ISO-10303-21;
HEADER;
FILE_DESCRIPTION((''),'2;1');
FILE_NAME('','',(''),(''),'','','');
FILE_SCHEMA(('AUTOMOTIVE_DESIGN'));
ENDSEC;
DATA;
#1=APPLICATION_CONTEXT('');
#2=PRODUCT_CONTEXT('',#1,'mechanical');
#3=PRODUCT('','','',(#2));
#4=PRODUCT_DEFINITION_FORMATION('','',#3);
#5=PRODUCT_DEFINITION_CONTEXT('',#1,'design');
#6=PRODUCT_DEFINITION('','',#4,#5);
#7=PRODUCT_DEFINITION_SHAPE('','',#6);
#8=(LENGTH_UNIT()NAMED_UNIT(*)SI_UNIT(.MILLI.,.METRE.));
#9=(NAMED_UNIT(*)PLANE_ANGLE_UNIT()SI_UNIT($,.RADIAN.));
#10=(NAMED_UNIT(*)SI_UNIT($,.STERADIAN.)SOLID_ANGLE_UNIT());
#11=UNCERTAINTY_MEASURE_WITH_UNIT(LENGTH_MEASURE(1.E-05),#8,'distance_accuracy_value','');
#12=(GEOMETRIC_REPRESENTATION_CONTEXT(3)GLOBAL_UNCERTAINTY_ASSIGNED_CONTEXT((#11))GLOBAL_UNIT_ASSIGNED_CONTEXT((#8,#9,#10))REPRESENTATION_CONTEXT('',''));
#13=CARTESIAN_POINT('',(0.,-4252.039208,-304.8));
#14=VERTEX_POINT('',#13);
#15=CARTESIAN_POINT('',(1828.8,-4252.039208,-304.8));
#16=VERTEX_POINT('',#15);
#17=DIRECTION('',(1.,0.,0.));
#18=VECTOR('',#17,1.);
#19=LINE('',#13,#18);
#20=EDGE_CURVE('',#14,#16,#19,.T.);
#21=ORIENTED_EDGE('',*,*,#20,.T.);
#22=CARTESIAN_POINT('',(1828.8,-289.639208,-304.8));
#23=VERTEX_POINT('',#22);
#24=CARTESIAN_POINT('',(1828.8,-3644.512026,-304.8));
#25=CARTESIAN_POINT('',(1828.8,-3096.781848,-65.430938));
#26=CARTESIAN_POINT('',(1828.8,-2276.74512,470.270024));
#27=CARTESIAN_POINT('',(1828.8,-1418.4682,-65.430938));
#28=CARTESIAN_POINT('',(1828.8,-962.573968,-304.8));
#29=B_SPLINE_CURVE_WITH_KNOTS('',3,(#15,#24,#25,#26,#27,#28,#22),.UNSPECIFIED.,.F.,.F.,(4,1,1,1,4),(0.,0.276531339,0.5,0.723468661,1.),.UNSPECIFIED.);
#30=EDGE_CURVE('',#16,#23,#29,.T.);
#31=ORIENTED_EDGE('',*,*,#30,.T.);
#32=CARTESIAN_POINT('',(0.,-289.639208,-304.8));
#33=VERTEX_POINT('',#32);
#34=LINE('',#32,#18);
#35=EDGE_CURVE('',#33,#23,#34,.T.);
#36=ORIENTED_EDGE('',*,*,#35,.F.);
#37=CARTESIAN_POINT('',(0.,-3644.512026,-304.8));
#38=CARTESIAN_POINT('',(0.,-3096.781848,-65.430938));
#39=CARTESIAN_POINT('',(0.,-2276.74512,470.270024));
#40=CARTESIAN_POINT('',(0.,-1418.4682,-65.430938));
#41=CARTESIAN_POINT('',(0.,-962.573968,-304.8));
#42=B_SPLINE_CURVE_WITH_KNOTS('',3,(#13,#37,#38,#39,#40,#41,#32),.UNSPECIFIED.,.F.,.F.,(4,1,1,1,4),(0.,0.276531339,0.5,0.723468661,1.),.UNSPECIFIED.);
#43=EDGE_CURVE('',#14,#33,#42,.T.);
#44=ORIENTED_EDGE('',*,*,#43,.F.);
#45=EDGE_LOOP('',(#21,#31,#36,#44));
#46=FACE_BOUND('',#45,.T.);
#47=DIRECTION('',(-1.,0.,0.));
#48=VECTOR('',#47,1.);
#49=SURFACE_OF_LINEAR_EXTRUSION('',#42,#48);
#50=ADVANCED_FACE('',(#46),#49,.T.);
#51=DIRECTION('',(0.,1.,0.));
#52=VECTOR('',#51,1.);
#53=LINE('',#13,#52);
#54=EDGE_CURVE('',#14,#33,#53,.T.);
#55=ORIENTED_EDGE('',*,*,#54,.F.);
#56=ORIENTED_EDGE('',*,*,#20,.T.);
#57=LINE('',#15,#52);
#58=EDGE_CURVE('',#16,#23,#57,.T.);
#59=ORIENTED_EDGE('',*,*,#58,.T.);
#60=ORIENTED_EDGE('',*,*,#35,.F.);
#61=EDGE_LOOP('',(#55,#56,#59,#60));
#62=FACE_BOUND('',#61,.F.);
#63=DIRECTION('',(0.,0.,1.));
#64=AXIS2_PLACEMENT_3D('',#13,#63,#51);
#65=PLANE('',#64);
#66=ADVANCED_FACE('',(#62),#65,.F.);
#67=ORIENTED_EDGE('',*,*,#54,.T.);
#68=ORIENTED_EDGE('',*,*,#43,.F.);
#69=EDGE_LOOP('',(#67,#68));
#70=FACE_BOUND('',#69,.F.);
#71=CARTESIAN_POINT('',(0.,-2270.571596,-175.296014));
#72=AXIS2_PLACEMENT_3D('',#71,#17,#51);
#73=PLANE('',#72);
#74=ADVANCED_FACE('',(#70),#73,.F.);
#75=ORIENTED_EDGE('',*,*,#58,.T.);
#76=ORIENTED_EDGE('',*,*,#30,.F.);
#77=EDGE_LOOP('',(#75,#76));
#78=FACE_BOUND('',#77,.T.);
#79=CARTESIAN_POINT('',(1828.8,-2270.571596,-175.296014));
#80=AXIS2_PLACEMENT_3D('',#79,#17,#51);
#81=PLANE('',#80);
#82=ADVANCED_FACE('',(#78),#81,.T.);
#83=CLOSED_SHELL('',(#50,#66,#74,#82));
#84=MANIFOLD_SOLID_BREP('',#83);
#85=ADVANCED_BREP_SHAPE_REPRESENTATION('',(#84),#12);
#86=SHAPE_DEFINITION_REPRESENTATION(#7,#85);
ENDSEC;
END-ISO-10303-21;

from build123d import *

# Parameters (mm, degrees)
F1_DEPTH = 1828.8


with BuildPart() as f1:
    # F0 (on Right) → F1 (new body)
    with BuildSketch(Plane.YZ):
        with BuildLine():
            Line((-4252.0392081772, -304.8), (-289.6392081772, -304.8))
            add(Edge.make_bspline(
                [(-4252.0392081772, -304.8), (-3644.512025952, -304.8), (-3096.7818480443, -65.4309381445), (-2276.7451201573, 470.2700242475), (-1418.4682004784, -65.4309381445), (-962.5739682962, -304.8), (-289.6392081772, -304.8)],
                knots=[0, 0, 0, 0, 0.2765313387, 0.5, 0.7234686613, 1, 1, 1, 1], degree=3))
        make_face()
    extrude(amount=F1_DEPTH)


solid = f1.part
